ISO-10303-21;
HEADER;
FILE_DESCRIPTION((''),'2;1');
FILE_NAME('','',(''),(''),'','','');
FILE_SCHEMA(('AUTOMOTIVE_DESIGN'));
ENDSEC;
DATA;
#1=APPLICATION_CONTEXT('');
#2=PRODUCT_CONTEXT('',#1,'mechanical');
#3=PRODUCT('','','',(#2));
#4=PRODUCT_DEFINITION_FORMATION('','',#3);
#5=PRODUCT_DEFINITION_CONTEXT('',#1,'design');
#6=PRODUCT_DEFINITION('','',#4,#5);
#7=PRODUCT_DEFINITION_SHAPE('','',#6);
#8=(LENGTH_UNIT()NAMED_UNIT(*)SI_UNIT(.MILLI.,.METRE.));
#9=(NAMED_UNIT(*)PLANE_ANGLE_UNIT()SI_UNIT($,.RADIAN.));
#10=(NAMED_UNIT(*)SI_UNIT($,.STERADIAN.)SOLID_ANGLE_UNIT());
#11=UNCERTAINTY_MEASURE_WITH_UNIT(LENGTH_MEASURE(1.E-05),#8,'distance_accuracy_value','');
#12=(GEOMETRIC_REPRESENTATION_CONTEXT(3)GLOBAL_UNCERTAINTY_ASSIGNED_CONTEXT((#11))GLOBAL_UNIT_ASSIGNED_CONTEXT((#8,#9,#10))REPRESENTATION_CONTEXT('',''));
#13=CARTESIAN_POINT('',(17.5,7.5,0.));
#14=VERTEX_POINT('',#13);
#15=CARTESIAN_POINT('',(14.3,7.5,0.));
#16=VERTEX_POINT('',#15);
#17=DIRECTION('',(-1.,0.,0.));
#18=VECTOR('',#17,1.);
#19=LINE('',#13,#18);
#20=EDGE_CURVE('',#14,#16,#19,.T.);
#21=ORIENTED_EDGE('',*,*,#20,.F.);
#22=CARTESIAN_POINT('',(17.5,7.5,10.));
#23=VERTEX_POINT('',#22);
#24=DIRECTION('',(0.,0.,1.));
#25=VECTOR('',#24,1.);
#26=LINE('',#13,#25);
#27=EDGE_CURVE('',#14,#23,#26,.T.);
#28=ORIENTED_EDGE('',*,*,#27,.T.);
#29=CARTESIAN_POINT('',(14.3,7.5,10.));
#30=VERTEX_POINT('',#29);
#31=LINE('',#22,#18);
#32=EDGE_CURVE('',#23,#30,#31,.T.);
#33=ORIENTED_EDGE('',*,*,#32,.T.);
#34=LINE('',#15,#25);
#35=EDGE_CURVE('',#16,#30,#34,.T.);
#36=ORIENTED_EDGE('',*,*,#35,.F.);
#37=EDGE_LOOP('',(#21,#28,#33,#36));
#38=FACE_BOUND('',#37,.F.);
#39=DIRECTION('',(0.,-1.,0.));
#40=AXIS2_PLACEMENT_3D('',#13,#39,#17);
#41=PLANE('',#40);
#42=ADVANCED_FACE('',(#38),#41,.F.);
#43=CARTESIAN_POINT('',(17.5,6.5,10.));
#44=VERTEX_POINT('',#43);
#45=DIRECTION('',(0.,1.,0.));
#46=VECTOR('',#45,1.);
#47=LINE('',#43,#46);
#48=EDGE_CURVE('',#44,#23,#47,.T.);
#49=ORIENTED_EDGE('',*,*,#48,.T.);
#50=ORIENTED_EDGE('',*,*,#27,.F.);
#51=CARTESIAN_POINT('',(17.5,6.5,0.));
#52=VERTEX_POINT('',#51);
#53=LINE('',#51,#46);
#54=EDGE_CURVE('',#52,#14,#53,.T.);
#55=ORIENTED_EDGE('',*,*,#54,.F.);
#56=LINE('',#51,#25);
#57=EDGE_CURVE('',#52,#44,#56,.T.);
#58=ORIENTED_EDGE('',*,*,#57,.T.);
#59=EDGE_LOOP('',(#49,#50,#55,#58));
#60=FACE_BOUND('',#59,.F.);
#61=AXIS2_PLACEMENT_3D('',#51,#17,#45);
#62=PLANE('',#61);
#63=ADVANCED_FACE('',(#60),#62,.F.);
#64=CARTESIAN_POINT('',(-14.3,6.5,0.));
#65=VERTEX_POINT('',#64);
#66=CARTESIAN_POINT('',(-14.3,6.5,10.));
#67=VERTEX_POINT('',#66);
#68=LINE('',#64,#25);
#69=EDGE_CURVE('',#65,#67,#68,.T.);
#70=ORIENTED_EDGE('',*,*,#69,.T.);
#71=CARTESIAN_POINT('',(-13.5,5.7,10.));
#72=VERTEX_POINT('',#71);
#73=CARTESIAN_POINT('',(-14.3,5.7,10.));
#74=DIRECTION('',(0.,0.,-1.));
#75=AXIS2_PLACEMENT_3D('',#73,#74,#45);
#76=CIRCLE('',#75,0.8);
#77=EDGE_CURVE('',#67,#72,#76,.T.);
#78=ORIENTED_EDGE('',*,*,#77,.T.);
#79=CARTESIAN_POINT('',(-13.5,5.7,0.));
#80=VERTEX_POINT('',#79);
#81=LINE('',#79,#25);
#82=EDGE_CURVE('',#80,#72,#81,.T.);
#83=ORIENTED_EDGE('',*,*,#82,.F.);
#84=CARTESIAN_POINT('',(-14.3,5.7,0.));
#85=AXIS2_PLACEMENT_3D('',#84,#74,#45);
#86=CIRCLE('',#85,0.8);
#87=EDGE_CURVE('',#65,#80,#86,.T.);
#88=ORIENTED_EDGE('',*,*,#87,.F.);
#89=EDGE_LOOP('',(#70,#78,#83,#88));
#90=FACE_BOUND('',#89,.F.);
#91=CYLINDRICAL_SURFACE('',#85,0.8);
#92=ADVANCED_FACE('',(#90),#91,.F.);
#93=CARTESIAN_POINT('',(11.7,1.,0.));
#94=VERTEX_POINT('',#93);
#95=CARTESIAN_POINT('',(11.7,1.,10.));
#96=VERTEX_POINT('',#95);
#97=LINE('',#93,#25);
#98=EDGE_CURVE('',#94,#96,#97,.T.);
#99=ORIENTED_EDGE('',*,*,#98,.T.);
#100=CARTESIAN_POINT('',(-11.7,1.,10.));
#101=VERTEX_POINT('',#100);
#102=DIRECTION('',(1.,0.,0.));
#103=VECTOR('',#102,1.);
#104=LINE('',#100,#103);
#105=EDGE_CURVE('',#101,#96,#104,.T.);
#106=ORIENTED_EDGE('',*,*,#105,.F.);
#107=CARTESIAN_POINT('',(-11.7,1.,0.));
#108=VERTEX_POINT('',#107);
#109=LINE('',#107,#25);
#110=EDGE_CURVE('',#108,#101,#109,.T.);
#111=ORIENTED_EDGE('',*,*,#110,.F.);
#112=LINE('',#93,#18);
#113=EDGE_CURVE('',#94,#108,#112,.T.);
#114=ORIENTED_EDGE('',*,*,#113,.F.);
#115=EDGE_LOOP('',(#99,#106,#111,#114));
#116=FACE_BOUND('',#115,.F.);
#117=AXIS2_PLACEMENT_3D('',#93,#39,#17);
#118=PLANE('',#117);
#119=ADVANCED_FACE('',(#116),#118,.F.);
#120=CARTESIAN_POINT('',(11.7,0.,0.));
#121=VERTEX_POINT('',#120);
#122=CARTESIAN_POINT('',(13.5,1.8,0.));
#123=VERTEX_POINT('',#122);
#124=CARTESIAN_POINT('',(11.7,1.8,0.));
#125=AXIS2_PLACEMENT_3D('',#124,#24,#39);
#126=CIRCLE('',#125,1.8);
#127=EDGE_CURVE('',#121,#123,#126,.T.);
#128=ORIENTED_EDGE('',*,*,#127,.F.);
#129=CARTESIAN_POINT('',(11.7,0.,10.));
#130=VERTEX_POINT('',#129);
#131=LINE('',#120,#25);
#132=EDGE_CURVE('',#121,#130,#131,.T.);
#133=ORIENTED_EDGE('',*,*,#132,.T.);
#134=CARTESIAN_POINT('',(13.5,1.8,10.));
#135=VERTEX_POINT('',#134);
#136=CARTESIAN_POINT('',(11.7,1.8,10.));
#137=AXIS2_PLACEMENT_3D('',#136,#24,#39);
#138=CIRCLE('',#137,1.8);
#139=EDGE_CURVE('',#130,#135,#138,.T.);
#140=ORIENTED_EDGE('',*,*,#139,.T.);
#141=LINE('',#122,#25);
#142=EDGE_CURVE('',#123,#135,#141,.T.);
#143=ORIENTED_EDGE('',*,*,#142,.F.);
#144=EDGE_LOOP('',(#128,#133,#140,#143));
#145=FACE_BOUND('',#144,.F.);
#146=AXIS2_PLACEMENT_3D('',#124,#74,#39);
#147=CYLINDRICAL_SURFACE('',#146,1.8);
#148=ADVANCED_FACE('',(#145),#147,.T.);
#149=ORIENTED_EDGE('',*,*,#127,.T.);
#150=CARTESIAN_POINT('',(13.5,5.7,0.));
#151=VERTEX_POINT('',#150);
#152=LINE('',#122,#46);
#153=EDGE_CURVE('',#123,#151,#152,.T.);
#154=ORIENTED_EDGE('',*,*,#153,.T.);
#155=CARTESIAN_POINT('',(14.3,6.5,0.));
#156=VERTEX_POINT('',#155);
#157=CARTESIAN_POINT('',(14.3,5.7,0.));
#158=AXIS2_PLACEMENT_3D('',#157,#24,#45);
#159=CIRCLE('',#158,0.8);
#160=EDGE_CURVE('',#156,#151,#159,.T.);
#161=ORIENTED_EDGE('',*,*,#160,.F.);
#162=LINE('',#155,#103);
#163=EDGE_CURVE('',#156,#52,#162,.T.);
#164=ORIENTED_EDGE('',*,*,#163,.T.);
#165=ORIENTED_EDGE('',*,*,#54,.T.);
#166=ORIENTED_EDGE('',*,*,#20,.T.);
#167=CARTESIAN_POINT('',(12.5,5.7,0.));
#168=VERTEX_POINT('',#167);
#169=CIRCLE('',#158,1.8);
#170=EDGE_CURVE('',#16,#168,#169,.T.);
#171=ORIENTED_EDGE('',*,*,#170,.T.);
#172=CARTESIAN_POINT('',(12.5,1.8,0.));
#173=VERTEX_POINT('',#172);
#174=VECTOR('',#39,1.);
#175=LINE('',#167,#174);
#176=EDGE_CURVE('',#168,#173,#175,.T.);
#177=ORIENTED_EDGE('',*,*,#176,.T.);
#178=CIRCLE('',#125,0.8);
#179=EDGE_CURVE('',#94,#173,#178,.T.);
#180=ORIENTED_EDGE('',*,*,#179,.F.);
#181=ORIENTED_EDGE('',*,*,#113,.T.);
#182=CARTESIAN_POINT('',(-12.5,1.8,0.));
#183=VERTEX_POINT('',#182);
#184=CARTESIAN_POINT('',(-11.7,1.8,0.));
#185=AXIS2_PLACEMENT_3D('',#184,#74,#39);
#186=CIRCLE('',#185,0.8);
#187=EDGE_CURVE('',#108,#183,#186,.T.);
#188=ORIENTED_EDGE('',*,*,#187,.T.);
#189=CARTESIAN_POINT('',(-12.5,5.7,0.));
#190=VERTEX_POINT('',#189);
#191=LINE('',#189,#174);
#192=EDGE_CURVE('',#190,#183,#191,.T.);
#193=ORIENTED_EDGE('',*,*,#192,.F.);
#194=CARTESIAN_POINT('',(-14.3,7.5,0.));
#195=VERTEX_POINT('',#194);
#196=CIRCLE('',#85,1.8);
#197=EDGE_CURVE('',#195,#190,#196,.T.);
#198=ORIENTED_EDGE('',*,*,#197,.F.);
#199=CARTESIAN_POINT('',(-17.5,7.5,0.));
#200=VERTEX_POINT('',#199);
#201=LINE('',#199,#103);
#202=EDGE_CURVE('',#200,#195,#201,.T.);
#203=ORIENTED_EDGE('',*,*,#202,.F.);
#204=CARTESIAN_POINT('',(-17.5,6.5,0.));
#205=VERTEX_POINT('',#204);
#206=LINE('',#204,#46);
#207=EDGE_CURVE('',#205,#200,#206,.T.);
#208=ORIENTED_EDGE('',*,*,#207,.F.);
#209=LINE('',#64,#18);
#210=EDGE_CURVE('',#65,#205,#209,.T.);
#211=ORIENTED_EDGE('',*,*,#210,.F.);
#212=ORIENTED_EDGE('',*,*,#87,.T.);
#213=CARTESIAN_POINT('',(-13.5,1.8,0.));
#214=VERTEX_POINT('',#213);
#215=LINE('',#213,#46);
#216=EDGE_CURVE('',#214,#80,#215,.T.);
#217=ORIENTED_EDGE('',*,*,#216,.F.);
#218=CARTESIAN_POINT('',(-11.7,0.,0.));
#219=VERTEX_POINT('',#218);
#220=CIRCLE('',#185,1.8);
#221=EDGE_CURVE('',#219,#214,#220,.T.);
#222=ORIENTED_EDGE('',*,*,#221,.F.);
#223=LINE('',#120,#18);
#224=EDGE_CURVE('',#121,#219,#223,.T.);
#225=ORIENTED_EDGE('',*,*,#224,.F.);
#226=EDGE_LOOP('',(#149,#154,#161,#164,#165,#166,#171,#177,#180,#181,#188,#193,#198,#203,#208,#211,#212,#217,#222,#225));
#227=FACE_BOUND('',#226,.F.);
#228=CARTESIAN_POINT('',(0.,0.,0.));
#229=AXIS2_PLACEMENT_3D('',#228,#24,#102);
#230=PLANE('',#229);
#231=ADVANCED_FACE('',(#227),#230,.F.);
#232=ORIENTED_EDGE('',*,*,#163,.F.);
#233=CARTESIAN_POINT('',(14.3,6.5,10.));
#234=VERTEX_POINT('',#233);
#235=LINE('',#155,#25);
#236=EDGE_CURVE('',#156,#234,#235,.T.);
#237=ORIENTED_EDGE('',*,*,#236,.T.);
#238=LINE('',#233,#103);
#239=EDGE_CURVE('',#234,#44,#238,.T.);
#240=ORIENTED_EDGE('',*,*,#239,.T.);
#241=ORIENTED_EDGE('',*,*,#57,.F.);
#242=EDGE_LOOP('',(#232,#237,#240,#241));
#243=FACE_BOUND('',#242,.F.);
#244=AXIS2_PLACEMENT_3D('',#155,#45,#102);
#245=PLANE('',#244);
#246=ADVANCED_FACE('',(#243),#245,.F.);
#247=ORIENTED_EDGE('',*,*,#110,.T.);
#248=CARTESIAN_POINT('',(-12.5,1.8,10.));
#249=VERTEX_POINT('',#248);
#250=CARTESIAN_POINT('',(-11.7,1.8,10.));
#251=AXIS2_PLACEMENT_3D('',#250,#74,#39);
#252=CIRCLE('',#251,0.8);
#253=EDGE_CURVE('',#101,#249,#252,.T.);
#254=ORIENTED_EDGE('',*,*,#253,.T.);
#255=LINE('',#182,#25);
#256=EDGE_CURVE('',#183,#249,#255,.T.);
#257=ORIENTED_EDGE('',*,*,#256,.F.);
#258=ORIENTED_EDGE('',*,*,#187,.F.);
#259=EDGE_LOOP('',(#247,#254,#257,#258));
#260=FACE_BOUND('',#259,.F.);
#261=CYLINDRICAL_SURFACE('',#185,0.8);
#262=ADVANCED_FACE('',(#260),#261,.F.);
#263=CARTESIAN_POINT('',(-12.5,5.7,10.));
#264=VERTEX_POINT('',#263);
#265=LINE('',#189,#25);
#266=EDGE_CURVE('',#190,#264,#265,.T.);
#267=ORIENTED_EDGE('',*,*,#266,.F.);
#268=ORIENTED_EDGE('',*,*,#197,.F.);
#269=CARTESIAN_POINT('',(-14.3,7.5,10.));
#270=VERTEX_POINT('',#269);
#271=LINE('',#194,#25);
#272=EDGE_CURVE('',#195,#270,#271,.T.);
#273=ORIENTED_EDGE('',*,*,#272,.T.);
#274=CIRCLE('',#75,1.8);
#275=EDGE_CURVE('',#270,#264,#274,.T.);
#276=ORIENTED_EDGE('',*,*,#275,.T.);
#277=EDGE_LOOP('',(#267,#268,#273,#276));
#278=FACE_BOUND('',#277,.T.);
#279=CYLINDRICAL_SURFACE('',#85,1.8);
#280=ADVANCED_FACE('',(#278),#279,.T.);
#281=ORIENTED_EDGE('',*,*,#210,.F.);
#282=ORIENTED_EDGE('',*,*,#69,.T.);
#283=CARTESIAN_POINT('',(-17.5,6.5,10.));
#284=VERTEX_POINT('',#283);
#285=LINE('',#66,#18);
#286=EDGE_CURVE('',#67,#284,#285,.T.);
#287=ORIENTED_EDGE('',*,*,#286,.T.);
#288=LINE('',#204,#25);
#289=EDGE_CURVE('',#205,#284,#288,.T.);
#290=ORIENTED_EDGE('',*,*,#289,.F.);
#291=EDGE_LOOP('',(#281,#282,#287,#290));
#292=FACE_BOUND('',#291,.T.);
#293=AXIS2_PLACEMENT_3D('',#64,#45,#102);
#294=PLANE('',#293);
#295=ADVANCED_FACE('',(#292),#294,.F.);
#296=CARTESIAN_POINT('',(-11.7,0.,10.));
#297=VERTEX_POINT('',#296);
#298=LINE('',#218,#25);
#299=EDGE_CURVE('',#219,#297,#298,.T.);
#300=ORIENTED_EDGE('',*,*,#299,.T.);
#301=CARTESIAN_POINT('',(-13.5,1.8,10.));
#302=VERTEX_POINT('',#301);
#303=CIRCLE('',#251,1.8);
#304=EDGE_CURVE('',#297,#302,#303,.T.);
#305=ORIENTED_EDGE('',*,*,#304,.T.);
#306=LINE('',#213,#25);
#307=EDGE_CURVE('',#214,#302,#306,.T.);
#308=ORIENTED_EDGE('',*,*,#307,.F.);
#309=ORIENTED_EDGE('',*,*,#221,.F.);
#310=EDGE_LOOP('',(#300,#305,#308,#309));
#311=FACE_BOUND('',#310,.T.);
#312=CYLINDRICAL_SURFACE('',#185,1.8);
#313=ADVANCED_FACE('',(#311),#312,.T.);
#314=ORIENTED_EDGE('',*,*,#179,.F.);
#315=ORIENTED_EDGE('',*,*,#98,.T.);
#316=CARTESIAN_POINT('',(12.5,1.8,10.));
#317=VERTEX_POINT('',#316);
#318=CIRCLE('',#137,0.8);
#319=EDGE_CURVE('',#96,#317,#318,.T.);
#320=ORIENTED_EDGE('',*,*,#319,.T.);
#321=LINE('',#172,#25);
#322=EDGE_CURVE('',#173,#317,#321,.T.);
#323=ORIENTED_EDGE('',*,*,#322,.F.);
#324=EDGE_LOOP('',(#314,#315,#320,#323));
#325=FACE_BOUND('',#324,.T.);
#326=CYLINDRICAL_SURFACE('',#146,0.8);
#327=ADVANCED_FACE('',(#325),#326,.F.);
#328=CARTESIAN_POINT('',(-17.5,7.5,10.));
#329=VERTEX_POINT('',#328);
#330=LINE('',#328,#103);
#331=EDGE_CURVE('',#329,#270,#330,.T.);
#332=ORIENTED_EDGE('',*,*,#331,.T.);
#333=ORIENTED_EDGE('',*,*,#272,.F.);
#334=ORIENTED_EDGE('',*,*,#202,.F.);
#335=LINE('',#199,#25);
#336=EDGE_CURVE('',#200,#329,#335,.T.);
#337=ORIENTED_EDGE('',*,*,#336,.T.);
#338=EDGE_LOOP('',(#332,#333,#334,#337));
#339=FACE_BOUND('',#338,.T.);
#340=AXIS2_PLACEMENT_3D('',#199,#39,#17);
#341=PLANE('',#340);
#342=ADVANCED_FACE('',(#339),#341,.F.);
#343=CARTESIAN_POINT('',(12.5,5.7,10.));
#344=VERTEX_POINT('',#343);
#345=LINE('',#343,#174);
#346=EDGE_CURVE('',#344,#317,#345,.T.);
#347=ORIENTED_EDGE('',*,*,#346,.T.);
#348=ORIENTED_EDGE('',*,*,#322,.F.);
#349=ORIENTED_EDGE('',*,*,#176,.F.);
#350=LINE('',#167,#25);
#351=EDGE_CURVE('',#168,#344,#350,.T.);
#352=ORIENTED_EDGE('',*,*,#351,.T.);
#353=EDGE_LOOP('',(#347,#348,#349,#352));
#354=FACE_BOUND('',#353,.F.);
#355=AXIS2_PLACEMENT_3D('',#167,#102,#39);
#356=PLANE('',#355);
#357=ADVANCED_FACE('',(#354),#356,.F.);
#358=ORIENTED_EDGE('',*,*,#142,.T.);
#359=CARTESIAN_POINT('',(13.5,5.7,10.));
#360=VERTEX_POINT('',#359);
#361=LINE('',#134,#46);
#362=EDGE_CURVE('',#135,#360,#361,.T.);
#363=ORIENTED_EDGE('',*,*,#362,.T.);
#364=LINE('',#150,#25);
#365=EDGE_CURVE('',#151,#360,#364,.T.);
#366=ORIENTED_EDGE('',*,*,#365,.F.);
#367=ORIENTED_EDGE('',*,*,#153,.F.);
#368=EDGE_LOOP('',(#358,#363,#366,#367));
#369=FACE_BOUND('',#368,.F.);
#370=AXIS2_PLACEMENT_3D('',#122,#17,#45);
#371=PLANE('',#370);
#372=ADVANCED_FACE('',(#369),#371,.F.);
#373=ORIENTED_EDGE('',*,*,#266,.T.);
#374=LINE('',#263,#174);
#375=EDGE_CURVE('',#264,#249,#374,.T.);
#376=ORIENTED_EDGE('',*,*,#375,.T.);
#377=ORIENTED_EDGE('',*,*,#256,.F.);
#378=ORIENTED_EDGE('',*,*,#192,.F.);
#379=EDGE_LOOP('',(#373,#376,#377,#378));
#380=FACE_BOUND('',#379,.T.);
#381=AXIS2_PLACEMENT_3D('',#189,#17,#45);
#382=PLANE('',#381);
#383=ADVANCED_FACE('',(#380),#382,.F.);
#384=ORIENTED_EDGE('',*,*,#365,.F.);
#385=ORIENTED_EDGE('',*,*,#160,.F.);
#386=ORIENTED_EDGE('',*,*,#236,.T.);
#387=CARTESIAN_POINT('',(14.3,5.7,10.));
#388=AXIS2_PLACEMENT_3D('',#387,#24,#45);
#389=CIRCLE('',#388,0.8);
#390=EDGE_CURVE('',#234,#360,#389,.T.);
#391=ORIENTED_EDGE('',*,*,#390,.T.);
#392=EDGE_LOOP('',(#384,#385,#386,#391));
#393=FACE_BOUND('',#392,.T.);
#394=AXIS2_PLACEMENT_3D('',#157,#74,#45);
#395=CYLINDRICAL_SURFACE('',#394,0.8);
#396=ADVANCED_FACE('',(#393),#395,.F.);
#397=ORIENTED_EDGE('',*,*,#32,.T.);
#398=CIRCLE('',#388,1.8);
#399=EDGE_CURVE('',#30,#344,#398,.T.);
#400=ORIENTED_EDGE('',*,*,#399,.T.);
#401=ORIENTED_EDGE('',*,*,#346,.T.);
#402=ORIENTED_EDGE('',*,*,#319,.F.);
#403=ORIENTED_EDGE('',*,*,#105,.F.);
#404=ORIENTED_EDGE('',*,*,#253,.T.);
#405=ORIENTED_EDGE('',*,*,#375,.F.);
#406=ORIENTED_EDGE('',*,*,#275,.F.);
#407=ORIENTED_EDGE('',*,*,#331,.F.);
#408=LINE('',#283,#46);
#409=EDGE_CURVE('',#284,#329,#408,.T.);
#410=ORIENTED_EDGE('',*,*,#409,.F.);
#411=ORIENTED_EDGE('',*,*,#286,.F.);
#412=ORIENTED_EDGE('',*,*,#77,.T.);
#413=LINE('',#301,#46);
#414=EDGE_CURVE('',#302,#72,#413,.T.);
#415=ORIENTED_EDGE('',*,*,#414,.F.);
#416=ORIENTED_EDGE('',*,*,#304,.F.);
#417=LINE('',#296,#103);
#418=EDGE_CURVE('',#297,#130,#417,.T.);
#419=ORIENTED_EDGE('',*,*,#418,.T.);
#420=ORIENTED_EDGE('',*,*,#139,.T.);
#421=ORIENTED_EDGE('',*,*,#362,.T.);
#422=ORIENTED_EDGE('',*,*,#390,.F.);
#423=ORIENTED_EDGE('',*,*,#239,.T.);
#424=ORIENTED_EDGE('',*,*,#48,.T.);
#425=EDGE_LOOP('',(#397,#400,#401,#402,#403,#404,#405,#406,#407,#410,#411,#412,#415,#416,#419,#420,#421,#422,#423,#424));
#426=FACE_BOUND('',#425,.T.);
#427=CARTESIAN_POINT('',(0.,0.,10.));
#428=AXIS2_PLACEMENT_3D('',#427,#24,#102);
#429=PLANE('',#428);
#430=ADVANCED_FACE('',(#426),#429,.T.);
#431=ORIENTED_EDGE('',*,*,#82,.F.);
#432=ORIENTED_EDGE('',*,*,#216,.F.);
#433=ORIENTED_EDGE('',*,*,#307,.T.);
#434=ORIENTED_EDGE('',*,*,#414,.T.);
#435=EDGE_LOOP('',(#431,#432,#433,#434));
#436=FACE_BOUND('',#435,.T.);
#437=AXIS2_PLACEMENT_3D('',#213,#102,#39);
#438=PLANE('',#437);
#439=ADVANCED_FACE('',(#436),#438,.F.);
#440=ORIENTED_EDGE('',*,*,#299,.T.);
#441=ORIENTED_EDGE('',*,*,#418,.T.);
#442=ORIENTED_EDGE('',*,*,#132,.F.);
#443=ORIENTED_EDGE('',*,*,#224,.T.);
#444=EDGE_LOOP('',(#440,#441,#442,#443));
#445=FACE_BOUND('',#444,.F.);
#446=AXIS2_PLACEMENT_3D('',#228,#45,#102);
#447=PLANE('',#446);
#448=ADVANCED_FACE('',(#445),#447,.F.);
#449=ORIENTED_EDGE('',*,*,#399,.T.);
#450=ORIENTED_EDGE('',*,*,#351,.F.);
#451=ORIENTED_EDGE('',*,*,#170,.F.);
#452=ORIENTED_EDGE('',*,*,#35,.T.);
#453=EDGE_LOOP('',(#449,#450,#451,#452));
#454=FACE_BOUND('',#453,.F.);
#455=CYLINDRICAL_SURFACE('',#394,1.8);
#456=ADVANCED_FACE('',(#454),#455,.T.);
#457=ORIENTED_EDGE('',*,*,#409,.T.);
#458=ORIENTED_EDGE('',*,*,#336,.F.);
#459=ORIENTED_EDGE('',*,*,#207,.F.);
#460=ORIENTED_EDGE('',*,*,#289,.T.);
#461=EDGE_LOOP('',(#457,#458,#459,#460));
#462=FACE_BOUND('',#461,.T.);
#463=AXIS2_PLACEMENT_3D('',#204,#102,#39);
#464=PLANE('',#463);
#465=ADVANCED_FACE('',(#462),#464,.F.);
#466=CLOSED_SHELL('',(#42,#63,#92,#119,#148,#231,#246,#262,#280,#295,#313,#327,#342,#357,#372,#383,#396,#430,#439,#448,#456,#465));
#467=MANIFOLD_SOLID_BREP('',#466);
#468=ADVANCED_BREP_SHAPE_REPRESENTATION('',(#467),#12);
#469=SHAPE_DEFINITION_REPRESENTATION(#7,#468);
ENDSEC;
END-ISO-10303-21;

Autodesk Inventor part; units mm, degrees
ref_plane "YZ Plane" through (0, 0, 0) normal (1, 0, 0) x (0, 1, 0)
ref_plane "XZ Plane" through (0, 0, 0) normal (0, 1, 0) x (-1, 0, 0)
ref_plane "XY Plane" through (0, 0, 0) normal (0, 0, 1) x (1, 0, 0)
sketch "Sketch1" plane through (0, 0, 0) normal (0, 0, 1) x (1, 0, 0)
  line L0 (0, 0) -> (11.7, 0)
  arc A0 (11.7, 0) -> (13.5, 1.8) centre (11.7, 1.8) ccw
  line L1 (13.5, 1.8) -> (13.5, 5.7)
  arc A1 (14.3, 6.5) -> (13.5, 5.7) centre (14.3, 5.7) ccw
  line L2 (14.3, 6.5) -> (17.5, 6.5)
  line L3 (17.5, 6.5) -> (17.5, 7.5)
  line L4 (17.5, 7.5) -> (14.3, 7.5)
  arc A2 (14.3, 7.5) -> (12.5, 5.7) centre (14.3, 5.7) ccw
  line L5 (12.5, 5.7) -> (12.5, 1.8)
  arc A3 (11.7, 1) -> (12.5, 1.8) centre (11.7, 1.8) ccw
  line L6 (11.7, 1) -> (0, 1)
  line L7 (0, 1) -> (0, 0)
  dimension "d0" = 1
  dimension "d2" = 0.8
  dimension "d3" = 25
  dimension "d4" = 35
  dimension "d5" = 7.5
extrude "Extrusion1" add sketch "Sketch1" along normal blind 10
mirror "Mirror1" about plane through (0, 1, 0) normal (-1, 0, 0) of "Extrusion1"
properties part number "din_rail"
